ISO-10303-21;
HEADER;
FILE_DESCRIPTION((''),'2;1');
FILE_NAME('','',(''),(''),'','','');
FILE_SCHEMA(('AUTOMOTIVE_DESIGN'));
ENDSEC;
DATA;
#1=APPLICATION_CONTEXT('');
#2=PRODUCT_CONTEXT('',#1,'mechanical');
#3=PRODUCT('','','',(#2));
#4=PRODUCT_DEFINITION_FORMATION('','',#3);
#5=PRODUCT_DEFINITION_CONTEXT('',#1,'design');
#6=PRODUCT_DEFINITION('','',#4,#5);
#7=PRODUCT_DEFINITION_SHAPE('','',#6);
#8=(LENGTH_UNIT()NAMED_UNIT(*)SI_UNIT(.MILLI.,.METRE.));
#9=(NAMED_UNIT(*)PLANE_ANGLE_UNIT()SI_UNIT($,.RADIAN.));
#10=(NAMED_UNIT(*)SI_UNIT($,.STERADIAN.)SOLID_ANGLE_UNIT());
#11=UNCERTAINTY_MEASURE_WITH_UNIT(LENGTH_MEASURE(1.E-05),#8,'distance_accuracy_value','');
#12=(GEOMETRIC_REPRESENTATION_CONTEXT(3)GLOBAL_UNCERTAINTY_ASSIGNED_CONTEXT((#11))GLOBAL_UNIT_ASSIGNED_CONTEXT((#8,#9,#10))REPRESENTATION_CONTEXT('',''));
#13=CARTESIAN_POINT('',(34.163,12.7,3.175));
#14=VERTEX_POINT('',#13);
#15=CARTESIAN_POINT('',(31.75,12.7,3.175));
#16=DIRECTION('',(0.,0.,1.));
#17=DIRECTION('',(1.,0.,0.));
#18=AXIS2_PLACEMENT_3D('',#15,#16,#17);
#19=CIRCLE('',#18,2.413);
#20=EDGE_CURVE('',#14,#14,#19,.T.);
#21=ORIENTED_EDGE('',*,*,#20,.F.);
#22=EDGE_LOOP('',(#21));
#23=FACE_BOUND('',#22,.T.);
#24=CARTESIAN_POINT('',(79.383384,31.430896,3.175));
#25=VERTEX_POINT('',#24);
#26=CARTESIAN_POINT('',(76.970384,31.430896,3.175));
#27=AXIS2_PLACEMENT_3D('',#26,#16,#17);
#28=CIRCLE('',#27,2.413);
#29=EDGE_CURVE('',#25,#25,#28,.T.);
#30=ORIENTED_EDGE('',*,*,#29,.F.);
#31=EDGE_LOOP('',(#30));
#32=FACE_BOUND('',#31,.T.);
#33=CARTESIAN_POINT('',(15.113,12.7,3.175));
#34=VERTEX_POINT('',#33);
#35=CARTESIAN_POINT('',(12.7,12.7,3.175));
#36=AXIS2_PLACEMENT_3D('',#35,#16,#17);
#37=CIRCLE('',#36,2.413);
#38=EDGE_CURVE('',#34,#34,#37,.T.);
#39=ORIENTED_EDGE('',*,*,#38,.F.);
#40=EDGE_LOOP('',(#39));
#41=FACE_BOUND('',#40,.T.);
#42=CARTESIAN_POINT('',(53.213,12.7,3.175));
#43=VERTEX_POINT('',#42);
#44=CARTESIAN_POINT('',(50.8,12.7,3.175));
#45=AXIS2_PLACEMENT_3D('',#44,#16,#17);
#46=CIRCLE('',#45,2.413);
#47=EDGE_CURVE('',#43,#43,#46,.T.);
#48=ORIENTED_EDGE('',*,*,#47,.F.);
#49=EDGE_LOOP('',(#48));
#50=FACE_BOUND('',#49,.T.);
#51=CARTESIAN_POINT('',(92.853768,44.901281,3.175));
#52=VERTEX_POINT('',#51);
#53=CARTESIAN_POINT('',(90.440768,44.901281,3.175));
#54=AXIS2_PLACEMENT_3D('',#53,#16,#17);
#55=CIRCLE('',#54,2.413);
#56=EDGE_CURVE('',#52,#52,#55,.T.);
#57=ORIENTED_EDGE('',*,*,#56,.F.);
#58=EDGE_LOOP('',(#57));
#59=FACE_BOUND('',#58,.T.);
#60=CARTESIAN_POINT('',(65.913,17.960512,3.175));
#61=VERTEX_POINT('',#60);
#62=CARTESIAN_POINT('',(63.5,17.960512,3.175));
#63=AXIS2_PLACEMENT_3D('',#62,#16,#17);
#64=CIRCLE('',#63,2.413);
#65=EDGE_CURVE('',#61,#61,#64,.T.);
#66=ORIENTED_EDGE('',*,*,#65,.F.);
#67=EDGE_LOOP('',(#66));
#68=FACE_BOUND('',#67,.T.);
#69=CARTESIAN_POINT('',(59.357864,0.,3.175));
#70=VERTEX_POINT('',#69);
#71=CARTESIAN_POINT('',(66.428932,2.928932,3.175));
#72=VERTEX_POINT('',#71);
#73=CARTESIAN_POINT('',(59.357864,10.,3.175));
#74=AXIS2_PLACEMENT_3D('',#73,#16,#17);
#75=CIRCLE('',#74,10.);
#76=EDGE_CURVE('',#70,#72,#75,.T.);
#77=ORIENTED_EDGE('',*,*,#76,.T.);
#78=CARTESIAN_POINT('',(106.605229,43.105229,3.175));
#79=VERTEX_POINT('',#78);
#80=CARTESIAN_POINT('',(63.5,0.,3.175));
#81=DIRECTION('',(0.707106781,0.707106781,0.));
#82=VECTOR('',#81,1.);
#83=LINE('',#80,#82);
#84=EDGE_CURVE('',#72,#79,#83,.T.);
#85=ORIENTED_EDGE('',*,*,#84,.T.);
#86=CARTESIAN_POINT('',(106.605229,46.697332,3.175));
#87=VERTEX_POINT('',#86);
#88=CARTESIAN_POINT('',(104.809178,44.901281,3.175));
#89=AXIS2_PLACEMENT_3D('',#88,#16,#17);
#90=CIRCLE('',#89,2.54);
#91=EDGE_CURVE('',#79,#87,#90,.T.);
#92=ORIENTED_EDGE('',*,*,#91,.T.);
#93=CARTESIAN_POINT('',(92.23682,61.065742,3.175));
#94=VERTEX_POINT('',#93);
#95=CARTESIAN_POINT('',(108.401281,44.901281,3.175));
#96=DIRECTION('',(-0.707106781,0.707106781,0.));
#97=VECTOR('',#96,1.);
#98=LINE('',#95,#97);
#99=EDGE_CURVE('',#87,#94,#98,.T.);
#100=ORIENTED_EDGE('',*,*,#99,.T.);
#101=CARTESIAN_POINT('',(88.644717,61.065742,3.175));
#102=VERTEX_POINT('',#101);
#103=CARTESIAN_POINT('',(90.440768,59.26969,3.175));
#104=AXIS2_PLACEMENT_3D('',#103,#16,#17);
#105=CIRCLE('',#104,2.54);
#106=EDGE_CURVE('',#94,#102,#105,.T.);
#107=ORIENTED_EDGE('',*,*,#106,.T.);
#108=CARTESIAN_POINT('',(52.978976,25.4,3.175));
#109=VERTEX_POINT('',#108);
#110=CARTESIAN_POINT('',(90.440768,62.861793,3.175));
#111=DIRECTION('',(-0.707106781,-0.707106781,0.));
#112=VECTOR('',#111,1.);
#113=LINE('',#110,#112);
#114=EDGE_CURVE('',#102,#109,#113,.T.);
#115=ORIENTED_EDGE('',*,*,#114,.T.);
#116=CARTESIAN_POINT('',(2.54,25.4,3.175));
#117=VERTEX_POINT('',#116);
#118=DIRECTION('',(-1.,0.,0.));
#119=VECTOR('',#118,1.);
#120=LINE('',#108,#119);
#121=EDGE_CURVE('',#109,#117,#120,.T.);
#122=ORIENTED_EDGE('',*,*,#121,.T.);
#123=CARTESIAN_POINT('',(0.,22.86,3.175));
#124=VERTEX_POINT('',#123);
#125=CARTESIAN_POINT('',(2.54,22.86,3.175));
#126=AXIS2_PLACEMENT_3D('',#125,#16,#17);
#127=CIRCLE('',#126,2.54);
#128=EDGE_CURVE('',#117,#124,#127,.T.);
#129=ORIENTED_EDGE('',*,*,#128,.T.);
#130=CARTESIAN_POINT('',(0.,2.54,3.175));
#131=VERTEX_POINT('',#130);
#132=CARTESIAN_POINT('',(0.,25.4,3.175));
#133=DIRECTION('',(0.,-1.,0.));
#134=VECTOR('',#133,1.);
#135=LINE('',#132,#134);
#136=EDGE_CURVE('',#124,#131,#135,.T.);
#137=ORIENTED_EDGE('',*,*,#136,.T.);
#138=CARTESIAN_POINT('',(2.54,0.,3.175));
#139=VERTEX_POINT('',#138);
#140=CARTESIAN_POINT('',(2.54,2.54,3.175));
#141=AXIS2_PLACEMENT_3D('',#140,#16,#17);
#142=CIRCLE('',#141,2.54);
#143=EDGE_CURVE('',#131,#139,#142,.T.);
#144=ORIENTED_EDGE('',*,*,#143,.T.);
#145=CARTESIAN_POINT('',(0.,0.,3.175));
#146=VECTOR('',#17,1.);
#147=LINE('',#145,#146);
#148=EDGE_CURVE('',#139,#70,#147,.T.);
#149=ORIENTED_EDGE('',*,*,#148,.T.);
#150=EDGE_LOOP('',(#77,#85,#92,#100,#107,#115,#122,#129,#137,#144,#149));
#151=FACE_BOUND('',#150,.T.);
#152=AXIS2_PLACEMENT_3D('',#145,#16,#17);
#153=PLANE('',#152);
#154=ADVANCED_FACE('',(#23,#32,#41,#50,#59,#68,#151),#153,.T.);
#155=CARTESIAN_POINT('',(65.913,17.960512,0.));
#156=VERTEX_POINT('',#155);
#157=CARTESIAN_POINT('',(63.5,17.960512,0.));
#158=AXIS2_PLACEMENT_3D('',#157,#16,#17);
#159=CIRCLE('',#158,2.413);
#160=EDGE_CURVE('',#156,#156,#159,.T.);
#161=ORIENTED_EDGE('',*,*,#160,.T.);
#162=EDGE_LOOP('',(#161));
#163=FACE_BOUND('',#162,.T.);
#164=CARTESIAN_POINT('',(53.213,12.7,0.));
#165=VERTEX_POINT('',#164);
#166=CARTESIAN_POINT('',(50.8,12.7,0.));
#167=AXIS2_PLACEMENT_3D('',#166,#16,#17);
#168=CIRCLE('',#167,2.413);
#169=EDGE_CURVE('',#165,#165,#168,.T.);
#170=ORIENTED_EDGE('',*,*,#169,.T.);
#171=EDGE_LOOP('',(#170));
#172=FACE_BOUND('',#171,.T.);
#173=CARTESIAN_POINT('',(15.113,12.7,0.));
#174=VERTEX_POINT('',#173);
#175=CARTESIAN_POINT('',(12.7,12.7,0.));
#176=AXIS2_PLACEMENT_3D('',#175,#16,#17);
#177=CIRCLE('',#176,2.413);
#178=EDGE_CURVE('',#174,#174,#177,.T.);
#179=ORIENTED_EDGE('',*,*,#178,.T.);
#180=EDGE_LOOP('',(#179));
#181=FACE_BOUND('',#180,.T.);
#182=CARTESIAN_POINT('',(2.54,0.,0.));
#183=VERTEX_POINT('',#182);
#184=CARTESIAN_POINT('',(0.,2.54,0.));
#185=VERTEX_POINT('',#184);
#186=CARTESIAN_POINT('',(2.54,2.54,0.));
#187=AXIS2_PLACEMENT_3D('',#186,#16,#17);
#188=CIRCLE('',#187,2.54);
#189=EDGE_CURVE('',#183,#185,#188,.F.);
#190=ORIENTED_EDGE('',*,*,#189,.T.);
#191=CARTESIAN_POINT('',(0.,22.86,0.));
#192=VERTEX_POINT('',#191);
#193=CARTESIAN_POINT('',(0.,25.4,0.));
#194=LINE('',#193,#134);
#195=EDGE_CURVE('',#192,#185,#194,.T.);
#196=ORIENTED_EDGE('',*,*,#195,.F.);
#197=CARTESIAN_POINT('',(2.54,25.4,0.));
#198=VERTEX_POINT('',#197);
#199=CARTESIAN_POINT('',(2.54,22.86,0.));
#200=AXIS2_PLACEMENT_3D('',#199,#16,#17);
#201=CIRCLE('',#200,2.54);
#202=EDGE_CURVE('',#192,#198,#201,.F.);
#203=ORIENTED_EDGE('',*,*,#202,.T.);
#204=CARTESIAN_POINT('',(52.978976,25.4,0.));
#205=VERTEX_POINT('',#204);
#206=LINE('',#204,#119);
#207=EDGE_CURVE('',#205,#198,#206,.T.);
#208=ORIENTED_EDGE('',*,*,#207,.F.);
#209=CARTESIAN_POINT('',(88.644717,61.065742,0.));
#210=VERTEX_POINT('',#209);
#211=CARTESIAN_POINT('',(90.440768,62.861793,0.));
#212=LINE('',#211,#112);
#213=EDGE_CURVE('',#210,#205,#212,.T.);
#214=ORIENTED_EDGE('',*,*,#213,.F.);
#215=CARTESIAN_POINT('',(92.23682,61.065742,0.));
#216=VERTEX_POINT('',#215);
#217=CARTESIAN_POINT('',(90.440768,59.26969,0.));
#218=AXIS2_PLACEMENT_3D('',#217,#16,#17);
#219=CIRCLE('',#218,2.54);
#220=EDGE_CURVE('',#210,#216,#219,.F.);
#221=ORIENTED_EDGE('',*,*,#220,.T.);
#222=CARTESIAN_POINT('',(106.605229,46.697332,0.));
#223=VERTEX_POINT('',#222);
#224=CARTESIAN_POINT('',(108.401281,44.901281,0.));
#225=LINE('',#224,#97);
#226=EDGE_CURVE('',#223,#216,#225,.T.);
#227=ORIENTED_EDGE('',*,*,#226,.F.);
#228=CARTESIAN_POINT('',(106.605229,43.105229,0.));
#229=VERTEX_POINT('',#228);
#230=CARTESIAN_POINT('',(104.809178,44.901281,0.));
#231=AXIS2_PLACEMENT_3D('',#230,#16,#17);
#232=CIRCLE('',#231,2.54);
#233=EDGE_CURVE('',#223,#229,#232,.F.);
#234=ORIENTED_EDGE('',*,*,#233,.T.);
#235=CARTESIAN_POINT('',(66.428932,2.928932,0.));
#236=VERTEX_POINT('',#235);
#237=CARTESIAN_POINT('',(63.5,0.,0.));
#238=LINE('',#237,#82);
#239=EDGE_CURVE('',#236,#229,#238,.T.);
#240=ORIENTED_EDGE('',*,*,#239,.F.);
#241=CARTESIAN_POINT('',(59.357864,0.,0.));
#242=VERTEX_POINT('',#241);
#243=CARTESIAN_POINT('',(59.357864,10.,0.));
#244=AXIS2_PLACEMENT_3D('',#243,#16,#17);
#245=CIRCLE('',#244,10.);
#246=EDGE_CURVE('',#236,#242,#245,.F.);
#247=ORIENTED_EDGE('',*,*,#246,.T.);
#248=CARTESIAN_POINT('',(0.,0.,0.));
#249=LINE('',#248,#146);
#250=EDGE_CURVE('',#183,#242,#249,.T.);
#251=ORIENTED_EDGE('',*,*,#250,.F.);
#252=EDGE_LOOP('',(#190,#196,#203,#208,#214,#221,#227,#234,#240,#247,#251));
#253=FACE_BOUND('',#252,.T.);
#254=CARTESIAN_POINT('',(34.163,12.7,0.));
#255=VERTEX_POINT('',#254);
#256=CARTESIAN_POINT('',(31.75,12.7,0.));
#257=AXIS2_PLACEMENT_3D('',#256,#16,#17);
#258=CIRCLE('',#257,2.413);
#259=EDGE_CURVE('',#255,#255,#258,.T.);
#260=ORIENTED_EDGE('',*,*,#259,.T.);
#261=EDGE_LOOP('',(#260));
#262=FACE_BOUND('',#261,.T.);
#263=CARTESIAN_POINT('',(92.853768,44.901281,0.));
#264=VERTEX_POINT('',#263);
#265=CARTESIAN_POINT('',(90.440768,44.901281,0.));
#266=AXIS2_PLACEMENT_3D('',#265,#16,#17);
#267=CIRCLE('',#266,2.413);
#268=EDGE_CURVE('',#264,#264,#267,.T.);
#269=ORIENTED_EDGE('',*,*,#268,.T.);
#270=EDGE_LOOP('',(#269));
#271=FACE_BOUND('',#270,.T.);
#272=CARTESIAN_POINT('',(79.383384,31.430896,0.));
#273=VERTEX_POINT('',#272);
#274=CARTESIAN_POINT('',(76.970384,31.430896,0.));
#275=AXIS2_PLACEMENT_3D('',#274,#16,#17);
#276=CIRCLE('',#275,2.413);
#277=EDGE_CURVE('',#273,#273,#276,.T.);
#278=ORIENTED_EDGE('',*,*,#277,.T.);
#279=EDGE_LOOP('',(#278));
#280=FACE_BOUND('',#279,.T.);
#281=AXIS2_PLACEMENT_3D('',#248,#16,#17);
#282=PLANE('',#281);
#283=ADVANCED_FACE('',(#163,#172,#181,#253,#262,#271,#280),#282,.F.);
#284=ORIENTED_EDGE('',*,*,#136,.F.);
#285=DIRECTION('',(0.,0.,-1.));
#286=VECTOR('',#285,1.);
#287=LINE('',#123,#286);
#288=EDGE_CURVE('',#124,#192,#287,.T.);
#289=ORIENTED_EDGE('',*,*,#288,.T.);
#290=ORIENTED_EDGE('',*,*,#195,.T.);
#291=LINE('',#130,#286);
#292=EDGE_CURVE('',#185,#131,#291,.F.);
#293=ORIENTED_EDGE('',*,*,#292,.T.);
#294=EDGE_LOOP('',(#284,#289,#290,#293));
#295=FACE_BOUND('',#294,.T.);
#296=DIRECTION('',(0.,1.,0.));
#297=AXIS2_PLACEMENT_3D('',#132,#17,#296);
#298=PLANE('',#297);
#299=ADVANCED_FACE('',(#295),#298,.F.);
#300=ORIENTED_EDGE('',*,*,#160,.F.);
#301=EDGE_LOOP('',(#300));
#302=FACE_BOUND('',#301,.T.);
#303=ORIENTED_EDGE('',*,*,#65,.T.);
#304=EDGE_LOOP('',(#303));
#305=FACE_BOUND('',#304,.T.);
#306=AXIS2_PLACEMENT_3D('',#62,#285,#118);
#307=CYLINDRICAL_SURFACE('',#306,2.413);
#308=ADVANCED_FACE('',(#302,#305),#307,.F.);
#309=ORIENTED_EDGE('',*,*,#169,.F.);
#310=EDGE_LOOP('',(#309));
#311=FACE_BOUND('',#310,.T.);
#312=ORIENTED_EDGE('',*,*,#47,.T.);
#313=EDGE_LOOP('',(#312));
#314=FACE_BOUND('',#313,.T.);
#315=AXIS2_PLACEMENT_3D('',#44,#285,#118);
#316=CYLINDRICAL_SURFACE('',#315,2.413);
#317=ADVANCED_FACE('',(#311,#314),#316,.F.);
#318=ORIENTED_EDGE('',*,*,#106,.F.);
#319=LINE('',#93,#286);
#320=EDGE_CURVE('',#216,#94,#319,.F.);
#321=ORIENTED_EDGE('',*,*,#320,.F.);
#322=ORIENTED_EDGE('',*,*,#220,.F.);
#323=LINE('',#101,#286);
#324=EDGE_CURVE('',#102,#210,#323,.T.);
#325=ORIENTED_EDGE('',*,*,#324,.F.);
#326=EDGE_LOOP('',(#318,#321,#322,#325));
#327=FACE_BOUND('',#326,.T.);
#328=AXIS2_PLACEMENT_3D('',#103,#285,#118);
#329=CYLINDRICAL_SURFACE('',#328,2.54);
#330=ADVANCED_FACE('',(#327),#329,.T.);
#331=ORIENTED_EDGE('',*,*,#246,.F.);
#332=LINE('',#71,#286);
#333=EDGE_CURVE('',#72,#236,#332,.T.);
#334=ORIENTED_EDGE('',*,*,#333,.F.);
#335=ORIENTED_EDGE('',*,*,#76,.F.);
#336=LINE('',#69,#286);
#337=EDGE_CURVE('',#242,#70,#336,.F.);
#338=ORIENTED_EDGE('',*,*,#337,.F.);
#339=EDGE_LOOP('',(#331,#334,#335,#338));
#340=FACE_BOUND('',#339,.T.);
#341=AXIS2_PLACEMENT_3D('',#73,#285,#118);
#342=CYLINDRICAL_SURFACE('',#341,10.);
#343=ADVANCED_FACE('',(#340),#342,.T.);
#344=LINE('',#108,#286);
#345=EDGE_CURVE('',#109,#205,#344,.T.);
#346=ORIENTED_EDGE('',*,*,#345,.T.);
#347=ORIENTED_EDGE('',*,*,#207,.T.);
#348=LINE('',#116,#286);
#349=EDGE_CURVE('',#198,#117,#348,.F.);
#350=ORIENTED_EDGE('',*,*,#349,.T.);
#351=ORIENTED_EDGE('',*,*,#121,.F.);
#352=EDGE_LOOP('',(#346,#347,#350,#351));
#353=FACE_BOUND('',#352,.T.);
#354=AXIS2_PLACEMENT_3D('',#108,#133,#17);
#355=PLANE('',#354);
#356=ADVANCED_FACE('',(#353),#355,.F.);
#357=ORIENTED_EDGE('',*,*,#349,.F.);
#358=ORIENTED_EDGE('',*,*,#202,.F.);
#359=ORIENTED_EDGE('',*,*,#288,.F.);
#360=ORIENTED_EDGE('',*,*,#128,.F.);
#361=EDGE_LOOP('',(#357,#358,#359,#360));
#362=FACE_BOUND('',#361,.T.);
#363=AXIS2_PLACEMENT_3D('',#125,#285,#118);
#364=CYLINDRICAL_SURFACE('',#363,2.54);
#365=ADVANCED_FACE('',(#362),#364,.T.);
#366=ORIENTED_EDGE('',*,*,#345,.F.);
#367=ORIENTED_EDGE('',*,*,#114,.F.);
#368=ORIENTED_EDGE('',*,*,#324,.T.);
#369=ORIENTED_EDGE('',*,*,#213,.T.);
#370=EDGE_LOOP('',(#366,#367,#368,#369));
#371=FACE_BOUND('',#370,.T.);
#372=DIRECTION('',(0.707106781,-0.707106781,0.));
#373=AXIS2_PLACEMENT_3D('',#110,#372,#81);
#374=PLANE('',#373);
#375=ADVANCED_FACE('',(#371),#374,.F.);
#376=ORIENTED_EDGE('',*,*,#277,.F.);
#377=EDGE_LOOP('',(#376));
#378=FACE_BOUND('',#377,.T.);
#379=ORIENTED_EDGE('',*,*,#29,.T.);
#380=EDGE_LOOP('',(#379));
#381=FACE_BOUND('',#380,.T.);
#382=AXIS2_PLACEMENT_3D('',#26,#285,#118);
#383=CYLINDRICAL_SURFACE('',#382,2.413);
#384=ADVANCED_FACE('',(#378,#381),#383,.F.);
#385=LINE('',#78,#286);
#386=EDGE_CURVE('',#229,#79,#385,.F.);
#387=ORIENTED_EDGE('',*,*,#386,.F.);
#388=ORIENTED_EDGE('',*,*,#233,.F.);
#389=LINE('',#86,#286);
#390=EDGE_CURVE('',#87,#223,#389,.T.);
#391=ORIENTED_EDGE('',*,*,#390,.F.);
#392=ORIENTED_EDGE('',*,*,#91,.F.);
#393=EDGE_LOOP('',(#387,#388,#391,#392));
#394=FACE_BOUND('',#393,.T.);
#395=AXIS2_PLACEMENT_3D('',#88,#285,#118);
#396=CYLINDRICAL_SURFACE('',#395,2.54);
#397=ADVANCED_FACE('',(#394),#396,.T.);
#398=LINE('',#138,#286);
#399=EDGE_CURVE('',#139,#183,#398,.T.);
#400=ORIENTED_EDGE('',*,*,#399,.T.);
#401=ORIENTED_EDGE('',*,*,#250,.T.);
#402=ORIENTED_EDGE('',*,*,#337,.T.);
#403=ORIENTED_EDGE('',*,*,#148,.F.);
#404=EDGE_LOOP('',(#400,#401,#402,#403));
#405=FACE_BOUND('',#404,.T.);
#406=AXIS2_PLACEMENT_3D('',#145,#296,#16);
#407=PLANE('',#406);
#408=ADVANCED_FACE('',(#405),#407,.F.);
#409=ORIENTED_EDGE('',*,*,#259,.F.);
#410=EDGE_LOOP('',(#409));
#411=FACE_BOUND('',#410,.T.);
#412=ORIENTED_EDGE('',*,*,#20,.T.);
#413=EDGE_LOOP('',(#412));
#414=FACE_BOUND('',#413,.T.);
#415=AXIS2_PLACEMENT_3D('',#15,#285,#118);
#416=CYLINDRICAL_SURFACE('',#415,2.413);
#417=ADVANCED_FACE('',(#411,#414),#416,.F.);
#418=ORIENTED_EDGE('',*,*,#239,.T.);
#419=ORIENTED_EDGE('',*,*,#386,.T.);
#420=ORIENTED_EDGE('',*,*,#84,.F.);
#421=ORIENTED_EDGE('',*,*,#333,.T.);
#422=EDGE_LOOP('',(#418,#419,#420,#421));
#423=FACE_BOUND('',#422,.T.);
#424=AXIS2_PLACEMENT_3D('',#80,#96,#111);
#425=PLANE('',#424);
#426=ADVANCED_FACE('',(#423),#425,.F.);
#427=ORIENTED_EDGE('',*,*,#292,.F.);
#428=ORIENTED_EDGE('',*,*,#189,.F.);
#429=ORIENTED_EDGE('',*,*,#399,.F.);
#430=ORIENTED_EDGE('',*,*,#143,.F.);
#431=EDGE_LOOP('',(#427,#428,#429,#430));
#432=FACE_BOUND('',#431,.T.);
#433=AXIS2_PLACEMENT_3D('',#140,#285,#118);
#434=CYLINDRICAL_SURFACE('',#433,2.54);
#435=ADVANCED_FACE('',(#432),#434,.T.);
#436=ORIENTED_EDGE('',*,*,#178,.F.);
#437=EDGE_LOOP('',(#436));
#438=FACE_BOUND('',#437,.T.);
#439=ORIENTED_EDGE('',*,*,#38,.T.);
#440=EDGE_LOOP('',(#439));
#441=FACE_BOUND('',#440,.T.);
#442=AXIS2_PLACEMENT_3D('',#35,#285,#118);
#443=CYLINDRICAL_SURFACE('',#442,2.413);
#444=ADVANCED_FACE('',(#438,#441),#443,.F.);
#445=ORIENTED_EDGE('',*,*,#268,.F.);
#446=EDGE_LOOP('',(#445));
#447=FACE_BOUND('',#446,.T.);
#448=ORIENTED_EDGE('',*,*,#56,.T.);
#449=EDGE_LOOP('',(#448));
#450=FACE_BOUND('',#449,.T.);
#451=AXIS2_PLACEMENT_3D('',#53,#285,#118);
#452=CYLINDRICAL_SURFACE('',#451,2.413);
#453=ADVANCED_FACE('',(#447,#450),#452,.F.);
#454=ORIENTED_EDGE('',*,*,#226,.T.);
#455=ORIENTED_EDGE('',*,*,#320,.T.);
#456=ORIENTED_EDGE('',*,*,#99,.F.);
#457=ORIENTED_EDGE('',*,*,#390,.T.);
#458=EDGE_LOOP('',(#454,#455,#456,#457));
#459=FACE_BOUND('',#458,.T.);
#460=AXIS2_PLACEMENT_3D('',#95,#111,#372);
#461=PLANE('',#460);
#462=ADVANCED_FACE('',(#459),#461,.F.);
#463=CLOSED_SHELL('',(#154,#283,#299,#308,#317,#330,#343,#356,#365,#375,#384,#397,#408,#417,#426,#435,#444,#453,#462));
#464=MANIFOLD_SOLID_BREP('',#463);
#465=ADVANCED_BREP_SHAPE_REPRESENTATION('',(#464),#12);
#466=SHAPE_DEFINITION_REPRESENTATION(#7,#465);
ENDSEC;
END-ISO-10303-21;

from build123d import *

# Parameters (mm, degrees)
SKETCH1_R           = 2.413
BOSS_EXTRUDE1_DEPTH = 3.175
FILLET1_R           = 10
FILLET2_R           = 2.54
FILLET3_R           = 2.54


with BuildPart() as part:
    # Sketch1 → Boss-Extrude1 (new body)
    with BuildSketch(Plane.XY):
        Polygon((0, 0), (63.5, 0), (108.401280605, 44.901280605), (90.440768363, 62.861792847), (52.978975516, 25.4), (0, 25.4), align=None)
        with Locations((12.7, 12.7)):
            Circle(SKETCH1_R, mode=Mode.SUBTRACT)
        with Locations((31.75, 12.7)):
            Circle(SKETCH1_R, mode=Mode.SUBTRACT)
        with Locations((76.970384182, 31.430896424)):
            Circle(SKETCH1_R, mode=Mode.SUBTRACT)
        with Locations((90.440768363, 44.901280605)):
            Circle(SKETCH1_R, mode=Mode.SUBTRACT)
        with Locations((50.8, 12.7)):
            Circle(SKETCH1_R, mode=Mode.SUBTRACT)
        with Locations((63.5, 17.960512242)):
            Circle(SKETCH1_R, mode=Mode.SUBTRACT)
    extrude(amount=BOSS_EXTRUDE1_DEPTH)

    # Fillet1
    fillet1_edges = [part.edges().sort_by_distance(p)[0] for p in [
        (63.5, 0, 1.5875),
    ]]
    fillet(fillet1_edges, radius=FILLET1_R)

    # Fillet2
    fillet2_edges = [part.edges().sort_by_distance(p)[0] for p in [
        (0, 25.4, 1.5875),
    ]]
    fillet(fillet2_edges, radius=FILLET2_R)

    # Fillet3
    fillet3_edges = [part.edges().sort_by_distance(p)[0] for p in [
        (90.440768363, 62.861792847, 1.5875),
        (108.401280605, 44.901280605, 1.5875),
        (0, 0, 1.5875),
    ]]
    fillet(fillet3_edges, radius=FILLET3_R)


solid = part.part
